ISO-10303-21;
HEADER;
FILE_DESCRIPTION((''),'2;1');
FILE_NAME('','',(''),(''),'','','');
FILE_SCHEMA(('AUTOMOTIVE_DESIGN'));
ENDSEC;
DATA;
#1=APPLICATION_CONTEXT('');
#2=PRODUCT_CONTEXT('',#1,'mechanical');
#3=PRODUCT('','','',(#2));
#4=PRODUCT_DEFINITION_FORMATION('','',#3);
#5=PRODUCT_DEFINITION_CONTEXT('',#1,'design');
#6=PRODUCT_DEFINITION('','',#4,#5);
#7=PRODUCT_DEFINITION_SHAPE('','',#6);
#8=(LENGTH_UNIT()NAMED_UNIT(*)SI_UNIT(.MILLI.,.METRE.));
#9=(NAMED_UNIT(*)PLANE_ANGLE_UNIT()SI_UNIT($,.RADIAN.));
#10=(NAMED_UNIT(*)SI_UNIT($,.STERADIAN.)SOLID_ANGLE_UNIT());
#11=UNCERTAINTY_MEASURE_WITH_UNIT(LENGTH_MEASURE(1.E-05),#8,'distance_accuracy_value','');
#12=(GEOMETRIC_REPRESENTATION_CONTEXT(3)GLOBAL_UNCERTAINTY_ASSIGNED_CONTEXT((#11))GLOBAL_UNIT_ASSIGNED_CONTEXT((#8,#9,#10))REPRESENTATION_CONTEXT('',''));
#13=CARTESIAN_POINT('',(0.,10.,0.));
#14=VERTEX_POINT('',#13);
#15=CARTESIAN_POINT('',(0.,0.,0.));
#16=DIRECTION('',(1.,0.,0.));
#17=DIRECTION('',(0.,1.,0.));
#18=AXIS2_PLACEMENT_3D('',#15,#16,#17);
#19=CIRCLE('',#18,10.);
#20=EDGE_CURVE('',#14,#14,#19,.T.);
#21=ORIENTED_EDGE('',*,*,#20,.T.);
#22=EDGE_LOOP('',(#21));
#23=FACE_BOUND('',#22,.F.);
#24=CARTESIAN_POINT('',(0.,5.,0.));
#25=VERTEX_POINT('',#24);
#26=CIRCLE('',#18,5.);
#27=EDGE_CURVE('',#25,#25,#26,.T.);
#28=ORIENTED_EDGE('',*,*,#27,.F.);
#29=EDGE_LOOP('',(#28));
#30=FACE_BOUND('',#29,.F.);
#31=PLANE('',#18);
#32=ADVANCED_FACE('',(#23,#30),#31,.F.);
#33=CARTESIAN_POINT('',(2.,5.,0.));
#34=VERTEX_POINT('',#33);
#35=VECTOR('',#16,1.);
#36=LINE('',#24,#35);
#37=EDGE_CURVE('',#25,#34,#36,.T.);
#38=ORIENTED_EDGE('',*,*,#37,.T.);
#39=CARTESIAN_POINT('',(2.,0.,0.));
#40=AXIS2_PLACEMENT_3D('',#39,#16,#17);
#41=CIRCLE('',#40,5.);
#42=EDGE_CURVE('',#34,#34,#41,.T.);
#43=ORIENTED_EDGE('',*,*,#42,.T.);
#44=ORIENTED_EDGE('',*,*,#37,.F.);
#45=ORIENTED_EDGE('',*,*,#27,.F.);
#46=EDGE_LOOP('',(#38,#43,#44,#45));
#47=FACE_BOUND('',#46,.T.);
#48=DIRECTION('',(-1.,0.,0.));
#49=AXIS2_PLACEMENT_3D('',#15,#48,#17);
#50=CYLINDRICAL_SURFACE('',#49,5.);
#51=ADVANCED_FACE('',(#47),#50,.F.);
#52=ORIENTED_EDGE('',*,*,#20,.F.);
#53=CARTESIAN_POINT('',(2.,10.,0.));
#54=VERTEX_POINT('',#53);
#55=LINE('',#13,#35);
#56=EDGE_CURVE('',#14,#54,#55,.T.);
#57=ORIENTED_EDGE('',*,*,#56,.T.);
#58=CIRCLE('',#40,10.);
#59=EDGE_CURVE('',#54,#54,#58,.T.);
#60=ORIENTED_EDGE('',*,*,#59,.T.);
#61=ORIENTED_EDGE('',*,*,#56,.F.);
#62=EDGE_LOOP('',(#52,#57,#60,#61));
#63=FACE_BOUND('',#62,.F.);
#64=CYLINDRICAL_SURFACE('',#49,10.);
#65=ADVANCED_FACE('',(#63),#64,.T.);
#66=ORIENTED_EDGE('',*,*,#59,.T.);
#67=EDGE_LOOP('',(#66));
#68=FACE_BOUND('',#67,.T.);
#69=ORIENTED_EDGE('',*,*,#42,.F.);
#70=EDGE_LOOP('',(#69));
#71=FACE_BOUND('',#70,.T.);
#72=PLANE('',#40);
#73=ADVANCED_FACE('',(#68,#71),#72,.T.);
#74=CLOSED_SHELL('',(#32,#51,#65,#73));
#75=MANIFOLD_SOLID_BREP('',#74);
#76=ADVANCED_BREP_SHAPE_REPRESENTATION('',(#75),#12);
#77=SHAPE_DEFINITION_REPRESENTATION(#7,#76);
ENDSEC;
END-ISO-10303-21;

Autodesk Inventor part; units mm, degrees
ref_plane "YZ Plane" through (0, 0, 0) normal (1, 0, 0) x (0, 1, 0)
ref_plane "XZ Plane" through (0, 0, 0) normal (0, 1, 0) x (-1, 0, 0)
ref_plane "XY Plane" through (0, 0, 0) normal (0, 0, 1) x (1, 0, 0)
sketch "Esboço1" plane through (0, 0, 0) normal (1, 0, 0) x (0, 1, 0)
  circle A0 centre (0, 0) radius 5
  circle A1 centre (0, 0) radius 10
  dimension "d0" = 10
  dimension "d1" = 20
extrude "Extrusão1" add sketch "Esboço1" along normal blind 2
